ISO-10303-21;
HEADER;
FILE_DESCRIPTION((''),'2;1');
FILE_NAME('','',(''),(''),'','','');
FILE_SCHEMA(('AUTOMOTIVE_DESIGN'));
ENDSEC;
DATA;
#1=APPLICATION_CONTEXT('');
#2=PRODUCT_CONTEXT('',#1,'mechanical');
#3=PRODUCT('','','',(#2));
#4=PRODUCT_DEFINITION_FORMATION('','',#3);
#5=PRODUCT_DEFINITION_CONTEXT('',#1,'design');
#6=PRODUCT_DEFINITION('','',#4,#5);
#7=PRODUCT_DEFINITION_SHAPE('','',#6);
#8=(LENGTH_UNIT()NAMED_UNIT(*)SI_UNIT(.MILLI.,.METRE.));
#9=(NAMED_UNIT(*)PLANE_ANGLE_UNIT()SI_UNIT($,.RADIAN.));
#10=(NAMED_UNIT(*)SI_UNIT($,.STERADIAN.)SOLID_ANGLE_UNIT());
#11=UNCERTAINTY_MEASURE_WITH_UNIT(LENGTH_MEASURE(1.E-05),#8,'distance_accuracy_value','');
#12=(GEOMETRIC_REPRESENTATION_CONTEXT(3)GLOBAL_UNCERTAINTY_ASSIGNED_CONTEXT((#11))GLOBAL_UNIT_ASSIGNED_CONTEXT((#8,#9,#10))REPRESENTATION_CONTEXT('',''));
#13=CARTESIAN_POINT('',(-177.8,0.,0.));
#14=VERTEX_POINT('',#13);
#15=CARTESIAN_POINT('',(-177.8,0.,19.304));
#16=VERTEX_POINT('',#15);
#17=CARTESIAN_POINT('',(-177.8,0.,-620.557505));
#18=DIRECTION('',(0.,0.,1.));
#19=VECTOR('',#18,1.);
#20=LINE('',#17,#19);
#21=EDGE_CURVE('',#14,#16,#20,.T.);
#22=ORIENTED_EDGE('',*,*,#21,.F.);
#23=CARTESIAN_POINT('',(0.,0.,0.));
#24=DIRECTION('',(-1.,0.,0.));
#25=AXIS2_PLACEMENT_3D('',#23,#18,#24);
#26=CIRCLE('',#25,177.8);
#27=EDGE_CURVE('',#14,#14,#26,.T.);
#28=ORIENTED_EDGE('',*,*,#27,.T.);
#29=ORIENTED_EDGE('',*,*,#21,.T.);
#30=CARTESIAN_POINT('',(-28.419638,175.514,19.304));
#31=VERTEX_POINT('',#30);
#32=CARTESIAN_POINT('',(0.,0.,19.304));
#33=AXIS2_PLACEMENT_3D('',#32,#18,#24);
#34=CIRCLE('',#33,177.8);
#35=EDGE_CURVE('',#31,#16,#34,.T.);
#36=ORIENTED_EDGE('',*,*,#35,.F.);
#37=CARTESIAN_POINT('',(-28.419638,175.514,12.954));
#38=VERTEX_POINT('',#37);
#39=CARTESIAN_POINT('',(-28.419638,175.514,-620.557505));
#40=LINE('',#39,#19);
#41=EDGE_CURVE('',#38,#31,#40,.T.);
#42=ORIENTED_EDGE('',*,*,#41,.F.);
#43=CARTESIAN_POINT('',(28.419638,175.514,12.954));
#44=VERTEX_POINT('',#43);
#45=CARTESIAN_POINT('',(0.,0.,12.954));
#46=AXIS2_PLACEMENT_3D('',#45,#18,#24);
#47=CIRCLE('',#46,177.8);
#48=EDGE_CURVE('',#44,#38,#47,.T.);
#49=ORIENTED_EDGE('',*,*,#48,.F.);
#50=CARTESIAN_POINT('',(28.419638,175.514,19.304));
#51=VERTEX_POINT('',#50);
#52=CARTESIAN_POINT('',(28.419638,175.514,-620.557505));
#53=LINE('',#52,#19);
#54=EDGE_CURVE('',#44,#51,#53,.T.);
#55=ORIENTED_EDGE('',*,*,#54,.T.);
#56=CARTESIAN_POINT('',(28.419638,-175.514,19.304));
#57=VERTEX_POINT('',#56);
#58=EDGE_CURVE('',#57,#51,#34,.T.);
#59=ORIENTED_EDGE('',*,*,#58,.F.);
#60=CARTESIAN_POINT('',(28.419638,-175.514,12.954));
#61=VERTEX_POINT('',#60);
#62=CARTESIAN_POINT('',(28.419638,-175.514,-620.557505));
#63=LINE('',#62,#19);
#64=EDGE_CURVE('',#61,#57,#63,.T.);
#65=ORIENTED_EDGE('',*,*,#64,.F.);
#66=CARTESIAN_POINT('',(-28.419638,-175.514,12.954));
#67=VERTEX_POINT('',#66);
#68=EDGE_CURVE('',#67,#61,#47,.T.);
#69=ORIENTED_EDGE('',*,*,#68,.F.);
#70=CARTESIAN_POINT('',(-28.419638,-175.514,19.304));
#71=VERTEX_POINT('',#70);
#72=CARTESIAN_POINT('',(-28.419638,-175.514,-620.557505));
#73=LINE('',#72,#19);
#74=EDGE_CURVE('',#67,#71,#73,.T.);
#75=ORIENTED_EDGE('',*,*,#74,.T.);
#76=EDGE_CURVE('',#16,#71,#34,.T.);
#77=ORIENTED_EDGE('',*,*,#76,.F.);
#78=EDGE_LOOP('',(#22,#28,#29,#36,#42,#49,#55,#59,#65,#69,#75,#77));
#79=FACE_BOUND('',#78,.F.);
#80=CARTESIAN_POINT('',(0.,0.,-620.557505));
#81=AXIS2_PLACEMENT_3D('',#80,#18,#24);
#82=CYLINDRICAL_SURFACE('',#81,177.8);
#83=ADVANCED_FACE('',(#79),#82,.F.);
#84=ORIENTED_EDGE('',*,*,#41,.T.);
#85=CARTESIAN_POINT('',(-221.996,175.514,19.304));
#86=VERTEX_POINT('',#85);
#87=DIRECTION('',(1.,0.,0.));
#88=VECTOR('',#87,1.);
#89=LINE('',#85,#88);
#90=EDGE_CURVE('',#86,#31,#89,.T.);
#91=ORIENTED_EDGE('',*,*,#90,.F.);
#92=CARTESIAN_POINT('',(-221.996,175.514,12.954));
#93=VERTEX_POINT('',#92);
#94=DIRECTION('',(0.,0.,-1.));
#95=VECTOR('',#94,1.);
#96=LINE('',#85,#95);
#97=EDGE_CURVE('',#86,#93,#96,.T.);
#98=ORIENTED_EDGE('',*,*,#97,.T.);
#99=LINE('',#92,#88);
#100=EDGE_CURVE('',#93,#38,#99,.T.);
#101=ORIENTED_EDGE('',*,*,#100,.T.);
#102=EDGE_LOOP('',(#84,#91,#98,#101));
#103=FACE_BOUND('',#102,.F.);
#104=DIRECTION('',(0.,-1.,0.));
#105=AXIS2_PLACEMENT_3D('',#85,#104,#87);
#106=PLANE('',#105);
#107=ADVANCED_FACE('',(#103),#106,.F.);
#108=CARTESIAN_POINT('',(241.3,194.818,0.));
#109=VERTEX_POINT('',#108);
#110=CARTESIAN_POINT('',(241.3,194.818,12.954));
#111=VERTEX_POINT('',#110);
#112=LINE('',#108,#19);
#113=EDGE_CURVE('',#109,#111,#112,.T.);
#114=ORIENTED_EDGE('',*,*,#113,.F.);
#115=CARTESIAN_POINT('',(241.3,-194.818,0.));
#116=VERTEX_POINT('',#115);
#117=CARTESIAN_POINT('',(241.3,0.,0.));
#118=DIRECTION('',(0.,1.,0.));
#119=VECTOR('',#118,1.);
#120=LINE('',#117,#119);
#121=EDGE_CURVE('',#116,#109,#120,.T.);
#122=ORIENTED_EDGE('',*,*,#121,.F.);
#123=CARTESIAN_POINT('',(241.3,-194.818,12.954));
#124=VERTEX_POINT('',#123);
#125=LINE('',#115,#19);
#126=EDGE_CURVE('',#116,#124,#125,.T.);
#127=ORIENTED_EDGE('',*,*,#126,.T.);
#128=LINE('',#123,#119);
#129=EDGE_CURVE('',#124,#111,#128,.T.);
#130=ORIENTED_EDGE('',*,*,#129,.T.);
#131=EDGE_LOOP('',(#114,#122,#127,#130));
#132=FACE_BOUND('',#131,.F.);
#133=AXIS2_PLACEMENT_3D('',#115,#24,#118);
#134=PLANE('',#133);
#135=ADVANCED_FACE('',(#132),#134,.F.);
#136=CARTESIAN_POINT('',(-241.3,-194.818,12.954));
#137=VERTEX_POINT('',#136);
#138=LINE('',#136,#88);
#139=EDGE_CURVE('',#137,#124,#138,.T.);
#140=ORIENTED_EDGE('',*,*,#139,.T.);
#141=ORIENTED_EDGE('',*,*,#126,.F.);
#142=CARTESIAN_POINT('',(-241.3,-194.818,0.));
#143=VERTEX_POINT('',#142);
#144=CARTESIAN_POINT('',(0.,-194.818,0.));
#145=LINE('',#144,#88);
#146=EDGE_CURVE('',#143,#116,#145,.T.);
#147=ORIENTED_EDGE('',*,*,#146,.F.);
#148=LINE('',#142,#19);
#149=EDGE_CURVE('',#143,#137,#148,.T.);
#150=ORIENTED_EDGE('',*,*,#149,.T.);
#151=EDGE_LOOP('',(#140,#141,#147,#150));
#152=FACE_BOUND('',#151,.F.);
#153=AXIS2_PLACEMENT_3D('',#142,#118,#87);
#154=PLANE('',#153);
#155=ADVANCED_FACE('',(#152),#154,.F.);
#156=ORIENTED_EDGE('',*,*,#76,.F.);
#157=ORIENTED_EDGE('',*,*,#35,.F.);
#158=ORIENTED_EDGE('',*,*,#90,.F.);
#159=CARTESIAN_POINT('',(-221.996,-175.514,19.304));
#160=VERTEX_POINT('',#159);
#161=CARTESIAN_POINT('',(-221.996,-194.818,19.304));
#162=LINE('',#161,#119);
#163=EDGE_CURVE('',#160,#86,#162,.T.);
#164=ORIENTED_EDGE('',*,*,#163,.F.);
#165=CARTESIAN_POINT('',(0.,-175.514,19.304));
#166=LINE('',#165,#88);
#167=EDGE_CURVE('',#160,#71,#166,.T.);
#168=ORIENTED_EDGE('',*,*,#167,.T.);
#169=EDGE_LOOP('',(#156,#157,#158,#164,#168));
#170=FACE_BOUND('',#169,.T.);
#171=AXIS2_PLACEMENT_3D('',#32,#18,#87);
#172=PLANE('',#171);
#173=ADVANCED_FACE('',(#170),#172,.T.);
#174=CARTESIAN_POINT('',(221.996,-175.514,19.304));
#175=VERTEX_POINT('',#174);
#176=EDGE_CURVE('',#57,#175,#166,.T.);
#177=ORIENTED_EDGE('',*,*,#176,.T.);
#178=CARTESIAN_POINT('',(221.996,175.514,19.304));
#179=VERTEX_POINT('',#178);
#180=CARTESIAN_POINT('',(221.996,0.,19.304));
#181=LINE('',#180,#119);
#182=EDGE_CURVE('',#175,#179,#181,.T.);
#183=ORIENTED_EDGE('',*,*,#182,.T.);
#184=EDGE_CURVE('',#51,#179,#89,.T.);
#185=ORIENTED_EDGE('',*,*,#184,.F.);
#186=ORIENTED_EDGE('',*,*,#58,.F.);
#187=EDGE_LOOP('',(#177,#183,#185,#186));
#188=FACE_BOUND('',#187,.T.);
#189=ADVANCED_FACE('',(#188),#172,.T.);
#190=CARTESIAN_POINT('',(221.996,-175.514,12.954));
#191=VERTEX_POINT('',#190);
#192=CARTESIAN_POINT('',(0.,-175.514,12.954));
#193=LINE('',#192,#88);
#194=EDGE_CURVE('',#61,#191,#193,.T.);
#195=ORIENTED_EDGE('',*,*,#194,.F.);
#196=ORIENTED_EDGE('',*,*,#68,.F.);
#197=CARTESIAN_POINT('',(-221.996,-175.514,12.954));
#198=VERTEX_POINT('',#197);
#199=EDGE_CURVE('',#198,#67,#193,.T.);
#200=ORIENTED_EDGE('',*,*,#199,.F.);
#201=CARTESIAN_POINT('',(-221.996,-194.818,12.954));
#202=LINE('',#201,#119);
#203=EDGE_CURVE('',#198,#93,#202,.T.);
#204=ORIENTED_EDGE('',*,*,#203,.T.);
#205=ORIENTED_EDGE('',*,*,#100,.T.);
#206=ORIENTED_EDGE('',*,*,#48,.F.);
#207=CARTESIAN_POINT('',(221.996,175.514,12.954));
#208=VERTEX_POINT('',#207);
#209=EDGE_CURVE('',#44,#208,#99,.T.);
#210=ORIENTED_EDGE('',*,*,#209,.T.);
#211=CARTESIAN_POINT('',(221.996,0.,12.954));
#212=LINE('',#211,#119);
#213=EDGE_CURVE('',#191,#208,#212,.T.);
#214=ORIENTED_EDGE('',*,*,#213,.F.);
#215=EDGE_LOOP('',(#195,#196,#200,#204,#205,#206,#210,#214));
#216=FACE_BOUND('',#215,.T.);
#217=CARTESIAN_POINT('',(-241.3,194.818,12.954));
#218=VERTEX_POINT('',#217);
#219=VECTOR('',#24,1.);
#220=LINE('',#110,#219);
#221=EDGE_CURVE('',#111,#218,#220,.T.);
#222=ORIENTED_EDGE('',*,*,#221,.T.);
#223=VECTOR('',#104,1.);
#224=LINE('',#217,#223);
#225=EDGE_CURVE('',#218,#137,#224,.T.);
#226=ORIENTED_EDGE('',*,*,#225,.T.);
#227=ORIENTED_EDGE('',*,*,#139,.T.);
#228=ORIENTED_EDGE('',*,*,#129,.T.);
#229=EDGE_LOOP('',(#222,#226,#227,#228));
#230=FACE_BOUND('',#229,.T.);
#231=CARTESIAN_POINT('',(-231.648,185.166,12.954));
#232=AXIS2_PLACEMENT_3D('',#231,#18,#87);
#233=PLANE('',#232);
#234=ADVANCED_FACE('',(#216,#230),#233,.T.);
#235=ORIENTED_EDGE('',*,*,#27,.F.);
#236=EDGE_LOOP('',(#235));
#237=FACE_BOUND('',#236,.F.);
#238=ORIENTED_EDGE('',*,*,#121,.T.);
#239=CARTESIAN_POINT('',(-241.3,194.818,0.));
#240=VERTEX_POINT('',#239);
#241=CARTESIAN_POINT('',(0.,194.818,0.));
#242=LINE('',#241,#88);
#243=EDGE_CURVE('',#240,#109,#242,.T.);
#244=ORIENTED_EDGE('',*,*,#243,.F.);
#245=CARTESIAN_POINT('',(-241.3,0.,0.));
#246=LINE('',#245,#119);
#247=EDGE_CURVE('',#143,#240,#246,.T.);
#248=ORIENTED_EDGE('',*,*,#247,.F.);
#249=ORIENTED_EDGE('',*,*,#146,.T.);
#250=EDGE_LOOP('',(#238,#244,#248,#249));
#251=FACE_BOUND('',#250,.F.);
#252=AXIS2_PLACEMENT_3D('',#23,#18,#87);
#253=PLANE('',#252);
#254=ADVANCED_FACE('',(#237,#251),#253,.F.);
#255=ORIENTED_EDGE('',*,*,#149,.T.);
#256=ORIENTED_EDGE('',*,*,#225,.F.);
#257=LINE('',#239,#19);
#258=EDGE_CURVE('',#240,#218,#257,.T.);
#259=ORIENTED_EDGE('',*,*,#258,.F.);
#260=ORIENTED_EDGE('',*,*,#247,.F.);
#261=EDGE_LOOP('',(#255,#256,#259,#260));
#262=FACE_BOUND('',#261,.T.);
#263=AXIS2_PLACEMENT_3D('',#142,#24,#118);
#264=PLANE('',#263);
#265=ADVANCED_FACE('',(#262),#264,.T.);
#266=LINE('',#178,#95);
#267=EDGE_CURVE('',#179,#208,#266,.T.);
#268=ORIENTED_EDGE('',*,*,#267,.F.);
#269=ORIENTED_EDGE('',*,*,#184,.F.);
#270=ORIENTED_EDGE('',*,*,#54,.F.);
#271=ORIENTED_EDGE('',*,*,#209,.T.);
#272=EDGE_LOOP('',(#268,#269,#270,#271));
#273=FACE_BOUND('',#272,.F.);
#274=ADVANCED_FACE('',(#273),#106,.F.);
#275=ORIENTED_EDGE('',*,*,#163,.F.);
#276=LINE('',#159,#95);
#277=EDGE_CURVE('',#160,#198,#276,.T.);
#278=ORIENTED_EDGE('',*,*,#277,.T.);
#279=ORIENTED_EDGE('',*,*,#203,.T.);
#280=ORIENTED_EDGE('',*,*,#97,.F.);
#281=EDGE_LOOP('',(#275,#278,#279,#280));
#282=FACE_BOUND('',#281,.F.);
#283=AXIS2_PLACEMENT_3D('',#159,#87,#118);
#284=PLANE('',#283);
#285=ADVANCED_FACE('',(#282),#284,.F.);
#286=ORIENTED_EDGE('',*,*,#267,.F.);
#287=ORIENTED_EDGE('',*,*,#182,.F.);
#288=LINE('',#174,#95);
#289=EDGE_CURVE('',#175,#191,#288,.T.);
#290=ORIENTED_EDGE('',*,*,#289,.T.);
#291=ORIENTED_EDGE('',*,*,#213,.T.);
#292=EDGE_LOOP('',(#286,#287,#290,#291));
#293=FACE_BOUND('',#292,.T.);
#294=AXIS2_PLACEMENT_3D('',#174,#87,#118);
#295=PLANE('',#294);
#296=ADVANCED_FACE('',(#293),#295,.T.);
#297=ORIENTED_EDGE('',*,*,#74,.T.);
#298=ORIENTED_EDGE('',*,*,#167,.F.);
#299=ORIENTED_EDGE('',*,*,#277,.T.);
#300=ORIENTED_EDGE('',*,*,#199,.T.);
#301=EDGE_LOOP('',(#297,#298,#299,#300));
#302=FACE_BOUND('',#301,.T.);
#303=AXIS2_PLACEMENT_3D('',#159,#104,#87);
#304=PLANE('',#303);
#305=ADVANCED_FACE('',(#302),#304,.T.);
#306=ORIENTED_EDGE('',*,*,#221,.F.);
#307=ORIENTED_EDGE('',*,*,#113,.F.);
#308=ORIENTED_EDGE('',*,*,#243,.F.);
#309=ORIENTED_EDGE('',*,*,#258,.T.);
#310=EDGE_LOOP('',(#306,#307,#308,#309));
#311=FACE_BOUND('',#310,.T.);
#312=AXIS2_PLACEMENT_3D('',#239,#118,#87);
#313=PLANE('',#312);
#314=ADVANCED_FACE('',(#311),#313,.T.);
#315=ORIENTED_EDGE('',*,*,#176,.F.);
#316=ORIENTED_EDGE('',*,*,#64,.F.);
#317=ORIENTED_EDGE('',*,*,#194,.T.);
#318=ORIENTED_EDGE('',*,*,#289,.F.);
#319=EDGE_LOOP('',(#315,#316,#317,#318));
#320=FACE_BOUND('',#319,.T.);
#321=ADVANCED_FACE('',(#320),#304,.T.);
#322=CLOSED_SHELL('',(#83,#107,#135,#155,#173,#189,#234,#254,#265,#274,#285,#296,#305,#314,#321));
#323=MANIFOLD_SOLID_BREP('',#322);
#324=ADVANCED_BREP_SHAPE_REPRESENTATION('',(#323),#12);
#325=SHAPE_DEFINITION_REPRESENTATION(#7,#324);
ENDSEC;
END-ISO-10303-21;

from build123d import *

# Parameters (mm, degrees)
F0_W     = 482.6
F0_H     = 389.636
F1_DEPTH = 19.304
F2_D     = 355.6
F3_W     = 19.304
F3_H     = 19.304
F3_W_2   = 443.992
F3_H_2   = 351.028
F4_DEPTH = 6.35


with BuildPart() as f1:
    # F0 (on Top) → F1 (new body)
    with BuildSketch(Plane.XY):
        Rectangle(F0_W, F0_H)
    extrude(amount=F1_DEPTH)

    # F2 (through all)
    with Locations(Plane(origin=(0, 0, 0), x_dir=(1, 0, 0), z_dir=(0, 0, -1))):
        with Locations((0, 0)):
            Hole(F2_D / 2)

    # F3 (on face) → F4 (cut)
    with BuildSketch(Plane.XY.offset(19.304)):
        with Locations((-231.648, 185.166)):
            Rectangle(F3_W, F3_H)
        with Locations((0, 185.166)):
            Rectangle(F3_W_2, F3_H)
        with Locations((-231.648, 0)):
            Rectangle(F3_W, F3_H_2)
        with Locations((231.648, 185.166)):
            Rectangle(F3_W, F3_H)
        with Locations((-231.648, -185.166)):
            Rectangle(F3_W, F3_H)
        with Locations((231.648, 0)):
            Rectangle(F3_W, F3_H_2)
        with Locations((0, -185.166)):
            Rectangle(F3_W_2, F3_H)
        with Locations((231.648, -185.166)):
            Rectangle(F3_W, F3_H)
    extrude(amount=-F4_DEPTH, mode=Mode.SUBTRACT)


solid = f1.part
